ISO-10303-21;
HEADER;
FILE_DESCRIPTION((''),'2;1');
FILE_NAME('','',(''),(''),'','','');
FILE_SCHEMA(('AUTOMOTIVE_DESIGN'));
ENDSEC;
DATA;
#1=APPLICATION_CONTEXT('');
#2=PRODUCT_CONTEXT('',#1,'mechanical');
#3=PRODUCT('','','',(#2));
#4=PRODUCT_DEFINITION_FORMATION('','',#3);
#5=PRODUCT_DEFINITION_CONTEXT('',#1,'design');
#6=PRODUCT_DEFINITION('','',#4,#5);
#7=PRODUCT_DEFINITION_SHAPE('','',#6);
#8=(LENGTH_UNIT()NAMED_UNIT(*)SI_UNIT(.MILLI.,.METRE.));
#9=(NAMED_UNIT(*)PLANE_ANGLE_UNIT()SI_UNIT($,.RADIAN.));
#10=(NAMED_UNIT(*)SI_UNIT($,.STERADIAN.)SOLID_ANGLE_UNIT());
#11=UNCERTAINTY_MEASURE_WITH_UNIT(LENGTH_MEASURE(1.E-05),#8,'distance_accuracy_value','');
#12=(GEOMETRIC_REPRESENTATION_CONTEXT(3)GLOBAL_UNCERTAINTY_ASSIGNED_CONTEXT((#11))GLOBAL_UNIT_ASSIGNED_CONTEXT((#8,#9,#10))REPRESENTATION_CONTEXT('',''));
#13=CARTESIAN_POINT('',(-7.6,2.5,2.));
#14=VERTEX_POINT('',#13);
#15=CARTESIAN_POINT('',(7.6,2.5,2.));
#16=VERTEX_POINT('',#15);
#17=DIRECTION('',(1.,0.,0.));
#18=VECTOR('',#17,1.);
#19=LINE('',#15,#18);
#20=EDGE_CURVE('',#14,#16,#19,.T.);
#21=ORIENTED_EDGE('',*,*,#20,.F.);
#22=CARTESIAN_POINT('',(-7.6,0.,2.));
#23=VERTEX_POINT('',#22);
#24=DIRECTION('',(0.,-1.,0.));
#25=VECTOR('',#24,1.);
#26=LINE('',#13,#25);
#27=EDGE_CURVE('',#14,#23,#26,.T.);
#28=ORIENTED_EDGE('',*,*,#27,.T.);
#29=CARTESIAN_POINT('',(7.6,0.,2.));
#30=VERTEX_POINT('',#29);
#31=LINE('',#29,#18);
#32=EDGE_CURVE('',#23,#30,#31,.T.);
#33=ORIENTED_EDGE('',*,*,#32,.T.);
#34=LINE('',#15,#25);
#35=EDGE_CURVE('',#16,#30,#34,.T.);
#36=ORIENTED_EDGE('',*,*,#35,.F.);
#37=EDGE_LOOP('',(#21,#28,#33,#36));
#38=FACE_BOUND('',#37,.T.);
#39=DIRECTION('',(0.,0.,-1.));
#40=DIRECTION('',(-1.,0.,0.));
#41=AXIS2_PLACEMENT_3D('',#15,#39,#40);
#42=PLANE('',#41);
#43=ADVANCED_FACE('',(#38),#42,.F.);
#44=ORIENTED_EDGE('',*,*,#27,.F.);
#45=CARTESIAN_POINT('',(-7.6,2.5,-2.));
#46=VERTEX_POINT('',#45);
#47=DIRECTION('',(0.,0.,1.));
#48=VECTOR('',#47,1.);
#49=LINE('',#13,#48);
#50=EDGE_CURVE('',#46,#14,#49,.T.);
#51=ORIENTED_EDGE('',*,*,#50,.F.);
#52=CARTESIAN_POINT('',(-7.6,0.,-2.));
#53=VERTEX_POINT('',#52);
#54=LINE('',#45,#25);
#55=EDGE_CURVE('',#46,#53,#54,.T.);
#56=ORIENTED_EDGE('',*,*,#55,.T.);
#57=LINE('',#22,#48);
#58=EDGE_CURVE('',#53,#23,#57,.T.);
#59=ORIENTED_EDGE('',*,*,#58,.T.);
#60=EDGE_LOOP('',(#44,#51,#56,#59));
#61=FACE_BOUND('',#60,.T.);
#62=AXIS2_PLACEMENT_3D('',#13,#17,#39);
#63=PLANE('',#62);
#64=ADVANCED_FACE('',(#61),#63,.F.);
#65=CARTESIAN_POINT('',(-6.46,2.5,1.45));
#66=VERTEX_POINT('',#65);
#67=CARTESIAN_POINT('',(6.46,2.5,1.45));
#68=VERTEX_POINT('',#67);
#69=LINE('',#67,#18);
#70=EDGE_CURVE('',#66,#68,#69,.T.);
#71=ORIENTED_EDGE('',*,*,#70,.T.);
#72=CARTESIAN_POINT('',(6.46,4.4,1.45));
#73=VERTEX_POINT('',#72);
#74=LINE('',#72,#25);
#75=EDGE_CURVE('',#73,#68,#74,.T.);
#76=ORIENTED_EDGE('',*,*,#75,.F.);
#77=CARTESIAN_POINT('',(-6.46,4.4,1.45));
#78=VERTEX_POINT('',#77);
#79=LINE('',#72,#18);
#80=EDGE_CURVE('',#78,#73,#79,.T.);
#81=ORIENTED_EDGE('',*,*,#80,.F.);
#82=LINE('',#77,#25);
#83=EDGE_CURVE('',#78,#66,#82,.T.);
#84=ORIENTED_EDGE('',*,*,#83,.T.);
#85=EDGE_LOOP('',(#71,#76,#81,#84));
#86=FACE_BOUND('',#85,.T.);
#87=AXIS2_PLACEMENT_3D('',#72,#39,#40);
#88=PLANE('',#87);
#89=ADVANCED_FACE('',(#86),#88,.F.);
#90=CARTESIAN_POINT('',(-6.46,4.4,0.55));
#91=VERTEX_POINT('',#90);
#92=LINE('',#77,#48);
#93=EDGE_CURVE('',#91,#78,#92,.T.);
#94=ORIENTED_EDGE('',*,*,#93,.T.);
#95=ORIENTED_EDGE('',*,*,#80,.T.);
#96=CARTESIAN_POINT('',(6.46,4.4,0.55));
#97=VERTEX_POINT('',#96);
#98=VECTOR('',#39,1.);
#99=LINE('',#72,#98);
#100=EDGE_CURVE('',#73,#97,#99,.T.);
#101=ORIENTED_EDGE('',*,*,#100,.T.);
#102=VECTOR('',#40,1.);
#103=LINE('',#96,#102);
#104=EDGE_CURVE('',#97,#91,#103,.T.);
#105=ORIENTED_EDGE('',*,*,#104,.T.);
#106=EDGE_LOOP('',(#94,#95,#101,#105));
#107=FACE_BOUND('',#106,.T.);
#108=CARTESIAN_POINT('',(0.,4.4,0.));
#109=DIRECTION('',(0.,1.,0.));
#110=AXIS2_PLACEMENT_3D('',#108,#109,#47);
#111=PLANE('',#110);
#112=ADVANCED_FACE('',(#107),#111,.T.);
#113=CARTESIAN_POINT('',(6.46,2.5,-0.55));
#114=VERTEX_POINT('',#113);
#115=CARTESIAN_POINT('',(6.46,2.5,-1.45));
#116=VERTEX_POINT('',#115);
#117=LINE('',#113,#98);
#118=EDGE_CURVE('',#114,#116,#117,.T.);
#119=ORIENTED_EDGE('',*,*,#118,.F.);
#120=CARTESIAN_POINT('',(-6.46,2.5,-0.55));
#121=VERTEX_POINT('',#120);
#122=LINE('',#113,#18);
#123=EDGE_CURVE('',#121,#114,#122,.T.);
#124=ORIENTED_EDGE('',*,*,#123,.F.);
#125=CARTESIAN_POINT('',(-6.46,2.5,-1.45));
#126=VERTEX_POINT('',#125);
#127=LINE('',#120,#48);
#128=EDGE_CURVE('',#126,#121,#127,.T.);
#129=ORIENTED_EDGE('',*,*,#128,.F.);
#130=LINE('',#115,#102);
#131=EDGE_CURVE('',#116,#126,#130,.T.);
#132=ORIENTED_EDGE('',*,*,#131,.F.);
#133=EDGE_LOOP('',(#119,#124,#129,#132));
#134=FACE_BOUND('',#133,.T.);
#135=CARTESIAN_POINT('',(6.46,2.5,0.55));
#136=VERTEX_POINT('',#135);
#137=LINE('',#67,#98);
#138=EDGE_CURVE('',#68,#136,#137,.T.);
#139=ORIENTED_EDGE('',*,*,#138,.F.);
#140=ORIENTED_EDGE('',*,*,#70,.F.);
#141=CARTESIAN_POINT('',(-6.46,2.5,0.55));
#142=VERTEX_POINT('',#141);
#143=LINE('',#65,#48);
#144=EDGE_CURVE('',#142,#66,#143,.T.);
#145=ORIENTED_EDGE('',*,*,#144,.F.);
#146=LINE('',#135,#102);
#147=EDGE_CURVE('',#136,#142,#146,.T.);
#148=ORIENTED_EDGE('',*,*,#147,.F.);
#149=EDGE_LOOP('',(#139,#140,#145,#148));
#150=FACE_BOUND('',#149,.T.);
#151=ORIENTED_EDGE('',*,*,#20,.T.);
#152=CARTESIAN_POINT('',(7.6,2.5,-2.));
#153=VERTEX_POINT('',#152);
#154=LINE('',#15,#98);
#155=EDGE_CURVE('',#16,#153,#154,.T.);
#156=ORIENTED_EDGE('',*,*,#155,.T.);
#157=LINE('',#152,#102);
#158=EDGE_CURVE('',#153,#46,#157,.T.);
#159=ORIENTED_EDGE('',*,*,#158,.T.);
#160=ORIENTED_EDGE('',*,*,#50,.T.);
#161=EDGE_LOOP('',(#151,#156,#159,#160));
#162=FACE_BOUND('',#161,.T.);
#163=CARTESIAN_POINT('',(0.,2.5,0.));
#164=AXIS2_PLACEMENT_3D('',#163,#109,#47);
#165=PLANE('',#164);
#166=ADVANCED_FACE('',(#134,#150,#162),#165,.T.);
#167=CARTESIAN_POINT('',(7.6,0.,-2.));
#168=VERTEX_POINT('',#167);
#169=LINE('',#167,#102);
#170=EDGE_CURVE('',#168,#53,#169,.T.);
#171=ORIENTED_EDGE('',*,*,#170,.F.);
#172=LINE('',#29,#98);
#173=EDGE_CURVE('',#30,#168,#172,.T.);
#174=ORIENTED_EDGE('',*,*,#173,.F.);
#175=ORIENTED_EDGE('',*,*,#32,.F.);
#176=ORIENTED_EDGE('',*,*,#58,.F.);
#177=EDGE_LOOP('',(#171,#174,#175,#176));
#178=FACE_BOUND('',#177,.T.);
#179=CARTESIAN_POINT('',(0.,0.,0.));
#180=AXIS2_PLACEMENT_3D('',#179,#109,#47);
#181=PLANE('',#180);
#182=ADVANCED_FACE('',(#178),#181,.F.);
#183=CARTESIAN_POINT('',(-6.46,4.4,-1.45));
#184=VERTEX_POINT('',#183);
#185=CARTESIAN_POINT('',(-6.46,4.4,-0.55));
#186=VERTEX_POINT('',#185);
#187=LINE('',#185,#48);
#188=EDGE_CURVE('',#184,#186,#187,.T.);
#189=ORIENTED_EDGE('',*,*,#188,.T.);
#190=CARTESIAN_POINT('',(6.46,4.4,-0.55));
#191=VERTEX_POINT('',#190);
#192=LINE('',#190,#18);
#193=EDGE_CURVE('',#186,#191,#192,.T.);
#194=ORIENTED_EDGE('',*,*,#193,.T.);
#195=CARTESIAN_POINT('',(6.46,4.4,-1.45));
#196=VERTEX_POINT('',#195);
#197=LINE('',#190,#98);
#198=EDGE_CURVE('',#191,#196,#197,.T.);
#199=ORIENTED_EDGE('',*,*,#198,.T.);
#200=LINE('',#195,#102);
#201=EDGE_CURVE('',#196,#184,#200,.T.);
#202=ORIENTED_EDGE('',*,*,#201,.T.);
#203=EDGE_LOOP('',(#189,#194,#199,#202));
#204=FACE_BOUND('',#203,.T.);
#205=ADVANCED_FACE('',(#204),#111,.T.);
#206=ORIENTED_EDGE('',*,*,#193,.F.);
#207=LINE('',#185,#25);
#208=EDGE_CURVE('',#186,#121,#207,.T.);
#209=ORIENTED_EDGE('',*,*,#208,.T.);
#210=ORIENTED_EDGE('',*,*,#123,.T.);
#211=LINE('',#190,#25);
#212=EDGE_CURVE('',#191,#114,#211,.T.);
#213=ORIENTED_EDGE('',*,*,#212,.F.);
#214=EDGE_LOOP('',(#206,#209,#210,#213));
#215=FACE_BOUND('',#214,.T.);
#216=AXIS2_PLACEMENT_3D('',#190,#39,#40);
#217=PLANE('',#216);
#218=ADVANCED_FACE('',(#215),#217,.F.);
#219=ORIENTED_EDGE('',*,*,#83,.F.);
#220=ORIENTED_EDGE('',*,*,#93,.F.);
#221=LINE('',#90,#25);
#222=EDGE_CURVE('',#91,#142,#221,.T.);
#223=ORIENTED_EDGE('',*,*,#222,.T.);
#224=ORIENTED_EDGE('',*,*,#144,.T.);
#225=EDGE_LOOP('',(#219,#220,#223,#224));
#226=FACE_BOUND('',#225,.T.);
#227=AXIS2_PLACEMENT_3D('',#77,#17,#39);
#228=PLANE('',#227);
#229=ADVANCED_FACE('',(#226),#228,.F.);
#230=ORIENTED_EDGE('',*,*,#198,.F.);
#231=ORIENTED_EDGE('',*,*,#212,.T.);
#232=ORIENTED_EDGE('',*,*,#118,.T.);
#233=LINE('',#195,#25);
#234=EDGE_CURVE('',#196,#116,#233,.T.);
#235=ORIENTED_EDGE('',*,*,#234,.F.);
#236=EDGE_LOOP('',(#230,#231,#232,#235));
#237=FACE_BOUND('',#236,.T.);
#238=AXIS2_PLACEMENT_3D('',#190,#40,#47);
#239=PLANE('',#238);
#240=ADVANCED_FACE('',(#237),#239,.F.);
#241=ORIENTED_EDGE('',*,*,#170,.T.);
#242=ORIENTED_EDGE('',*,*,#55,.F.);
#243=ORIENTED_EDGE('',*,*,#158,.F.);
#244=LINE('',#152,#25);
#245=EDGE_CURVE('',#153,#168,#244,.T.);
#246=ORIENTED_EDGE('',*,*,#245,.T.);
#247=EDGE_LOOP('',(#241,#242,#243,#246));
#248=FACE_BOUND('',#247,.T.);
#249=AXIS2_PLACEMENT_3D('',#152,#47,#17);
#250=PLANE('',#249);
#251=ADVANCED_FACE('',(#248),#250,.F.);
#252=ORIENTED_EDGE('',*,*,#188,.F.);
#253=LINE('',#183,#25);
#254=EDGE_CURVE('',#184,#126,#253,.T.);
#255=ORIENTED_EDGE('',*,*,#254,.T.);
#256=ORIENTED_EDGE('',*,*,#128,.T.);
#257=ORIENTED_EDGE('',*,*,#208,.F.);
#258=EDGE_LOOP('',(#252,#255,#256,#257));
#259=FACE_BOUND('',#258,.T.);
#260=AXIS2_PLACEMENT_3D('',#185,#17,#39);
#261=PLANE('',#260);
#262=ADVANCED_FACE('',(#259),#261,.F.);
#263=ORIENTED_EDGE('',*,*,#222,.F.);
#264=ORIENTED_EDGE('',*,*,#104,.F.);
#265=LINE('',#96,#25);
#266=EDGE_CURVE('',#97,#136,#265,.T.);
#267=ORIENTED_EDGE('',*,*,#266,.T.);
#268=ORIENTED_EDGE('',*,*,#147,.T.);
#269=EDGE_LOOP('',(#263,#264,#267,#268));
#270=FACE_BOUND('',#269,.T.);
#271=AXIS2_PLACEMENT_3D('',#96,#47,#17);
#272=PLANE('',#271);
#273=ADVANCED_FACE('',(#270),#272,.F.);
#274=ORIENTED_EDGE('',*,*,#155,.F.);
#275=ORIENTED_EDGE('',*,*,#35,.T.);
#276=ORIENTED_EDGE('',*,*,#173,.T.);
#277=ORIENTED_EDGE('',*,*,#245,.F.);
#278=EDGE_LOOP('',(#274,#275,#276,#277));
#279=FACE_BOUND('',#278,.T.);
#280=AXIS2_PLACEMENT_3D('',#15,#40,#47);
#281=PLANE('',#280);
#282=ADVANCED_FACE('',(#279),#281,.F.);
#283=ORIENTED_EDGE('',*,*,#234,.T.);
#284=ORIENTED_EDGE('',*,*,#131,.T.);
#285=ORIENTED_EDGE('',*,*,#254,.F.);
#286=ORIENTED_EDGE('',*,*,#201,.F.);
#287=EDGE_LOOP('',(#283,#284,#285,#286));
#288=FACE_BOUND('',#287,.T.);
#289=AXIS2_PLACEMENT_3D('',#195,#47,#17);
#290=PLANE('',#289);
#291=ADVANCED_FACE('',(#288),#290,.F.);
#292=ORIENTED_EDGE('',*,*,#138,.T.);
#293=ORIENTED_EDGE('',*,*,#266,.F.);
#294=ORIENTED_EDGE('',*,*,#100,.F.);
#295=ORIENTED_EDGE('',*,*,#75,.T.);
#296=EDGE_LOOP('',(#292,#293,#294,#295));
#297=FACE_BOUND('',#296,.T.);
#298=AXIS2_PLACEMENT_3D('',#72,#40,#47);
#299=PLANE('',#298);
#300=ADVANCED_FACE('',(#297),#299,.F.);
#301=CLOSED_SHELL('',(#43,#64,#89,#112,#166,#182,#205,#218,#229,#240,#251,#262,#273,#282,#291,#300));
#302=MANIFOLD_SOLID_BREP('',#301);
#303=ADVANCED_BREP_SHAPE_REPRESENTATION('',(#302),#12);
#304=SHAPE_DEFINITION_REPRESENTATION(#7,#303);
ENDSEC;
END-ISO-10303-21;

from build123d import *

# Parameters (mm, degrees)
SKETCH1_W           = 15.2
SKETCH1_H           = 4
BOSS_EXTRUDE1_DEPTH = 2.5
SKETCH2_W           = 12.92
SKETCH2_H           = 0.9
BOSS_EXTRUDE2_DEPTH = 1.9


with BuildPart() as part:
    # Sketch1 → Boss-Extrude1 (new body)
    with BuildSketch(Plane(origin=(0, 0, 0), x_dir=(1, 0, 0), z_dir=(0, 1, 0))):
        Rectangle(SKETCH1_W, SKETCH1_H)
    extrude(amount=BOSS_EXTRUDE1_DEPTH)

    # Sketch2 → Boss-Extrude2 (add)
    with BuildSketch(Plane(origin=(0, 2.5, 0), x_dir=(1, 0, 0), z_dir=(0, 1, 0))):
        with Locations((0, -1)):
            Rectangle(SKETCH2_W, SKETCH2_H)
        with Locations((0, 1)):
            Rectangle(SKETCH2_W, SKETCH2_H)
    extrude(amount=BOSS_EXTRUDE2_DEPTH)


solid = part.part
